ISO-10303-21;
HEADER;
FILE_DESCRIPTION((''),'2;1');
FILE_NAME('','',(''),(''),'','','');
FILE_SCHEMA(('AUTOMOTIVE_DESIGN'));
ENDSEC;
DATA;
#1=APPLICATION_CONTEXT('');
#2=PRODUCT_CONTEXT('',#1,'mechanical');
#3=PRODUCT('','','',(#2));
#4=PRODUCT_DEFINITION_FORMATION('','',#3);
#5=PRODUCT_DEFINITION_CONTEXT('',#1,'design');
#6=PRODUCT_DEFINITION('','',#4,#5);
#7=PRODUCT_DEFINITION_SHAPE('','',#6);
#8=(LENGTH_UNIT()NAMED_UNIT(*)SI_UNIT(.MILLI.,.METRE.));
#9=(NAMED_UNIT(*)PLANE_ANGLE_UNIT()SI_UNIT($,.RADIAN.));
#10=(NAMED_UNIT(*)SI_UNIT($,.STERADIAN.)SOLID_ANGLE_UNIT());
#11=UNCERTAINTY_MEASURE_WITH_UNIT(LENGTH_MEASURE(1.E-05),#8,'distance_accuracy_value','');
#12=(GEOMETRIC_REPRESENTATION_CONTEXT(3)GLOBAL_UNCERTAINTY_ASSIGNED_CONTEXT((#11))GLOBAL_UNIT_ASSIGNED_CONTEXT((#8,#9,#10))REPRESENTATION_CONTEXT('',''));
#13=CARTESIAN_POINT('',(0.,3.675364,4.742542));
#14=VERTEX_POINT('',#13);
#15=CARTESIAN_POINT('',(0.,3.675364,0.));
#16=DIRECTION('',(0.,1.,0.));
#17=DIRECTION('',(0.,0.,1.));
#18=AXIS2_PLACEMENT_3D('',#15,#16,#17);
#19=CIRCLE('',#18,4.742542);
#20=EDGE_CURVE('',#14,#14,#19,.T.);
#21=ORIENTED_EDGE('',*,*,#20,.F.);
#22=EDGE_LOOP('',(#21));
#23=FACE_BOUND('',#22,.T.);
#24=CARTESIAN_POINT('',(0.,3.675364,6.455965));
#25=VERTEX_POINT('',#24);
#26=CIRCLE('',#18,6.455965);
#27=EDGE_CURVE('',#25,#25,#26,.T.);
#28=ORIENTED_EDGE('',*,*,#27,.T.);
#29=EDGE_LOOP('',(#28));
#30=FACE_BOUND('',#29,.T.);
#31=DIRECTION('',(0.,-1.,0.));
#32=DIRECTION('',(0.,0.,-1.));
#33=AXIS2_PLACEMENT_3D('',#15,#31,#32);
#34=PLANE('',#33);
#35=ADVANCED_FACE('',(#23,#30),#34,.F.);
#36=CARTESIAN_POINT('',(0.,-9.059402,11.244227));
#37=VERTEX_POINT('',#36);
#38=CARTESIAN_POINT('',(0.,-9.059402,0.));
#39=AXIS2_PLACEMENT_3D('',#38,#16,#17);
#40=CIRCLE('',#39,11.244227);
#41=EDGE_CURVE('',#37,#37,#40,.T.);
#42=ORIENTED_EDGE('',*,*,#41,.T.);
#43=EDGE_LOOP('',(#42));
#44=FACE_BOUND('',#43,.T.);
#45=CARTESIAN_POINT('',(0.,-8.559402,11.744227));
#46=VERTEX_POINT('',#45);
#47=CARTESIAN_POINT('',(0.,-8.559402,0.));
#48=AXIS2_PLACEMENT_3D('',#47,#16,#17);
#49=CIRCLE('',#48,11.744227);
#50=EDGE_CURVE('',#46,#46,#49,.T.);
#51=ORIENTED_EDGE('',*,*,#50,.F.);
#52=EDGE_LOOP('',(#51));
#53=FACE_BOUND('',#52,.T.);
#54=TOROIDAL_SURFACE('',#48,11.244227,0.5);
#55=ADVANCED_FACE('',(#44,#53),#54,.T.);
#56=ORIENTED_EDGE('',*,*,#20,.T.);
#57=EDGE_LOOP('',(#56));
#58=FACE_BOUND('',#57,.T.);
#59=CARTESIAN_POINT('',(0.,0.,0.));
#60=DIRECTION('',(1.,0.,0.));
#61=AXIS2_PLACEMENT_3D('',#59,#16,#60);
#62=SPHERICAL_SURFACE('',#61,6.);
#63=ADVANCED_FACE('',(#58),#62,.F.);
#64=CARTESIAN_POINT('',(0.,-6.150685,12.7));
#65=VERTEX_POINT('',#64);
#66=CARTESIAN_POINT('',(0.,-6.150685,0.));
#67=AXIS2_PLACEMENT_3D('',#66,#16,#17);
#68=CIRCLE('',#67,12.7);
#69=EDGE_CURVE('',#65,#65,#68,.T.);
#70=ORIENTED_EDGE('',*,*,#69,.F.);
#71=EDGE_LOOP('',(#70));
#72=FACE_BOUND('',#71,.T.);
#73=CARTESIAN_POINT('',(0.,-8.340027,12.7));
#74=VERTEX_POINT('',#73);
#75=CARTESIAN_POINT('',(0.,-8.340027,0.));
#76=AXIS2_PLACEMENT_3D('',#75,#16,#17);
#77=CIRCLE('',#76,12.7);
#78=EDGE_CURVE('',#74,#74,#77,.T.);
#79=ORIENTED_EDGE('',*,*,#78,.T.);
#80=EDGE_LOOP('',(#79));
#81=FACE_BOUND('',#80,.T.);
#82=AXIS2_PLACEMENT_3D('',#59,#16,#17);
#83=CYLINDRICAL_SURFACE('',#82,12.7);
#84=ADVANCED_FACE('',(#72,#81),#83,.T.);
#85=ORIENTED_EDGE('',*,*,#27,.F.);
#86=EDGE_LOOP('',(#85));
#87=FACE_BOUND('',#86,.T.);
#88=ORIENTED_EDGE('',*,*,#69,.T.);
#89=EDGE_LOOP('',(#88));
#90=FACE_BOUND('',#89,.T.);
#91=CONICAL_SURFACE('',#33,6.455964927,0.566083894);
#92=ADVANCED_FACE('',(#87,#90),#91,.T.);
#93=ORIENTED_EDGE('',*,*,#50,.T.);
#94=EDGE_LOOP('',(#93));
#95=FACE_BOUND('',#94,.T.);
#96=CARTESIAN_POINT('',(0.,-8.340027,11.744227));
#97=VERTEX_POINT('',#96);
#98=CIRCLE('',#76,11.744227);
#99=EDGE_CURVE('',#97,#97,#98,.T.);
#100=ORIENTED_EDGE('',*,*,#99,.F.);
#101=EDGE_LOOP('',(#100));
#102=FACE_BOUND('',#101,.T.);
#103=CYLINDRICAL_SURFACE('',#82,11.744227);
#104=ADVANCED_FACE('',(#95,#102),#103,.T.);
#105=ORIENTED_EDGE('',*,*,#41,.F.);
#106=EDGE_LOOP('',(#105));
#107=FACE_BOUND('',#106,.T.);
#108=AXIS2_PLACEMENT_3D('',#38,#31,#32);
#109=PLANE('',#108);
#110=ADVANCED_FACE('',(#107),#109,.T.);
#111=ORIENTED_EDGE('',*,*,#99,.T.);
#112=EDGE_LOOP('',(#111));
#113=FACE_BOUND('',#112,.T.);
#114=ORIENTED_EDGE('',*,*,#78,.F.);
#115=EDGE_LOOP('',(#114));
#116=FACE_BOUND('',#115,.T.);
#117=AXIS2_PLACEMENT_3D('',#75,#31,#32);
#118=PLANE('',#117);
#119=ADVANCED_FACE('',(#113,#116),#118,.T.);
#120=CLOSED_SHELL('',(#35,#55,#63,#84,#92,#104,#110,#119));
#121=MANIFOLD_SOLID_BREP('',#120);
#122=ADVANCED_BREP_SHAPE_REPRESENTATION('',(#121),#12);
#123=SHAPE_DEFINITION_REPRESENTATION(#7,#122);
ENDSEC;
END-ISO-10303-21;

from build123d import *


with BuildPart() as part:
    # Sketch1 → Revolve1 (revolve)
    with BuildSketch(Plane.XY):
        with BuildLine():
            Line((12.7, -6.150685179), (6.455964927, 3.675363757))
            Line((6.455964927, 3.675363757), (4.742541645, 3.675363757))
            ThreePointArc((4.742541645, 3.675363757), (5.387586776, -2.640815921), (0, -6))
            Line((0, -6), (0, -9.059401987))
            Line((0, -9.059401987), (11.244226909, -9.059401987))
            ThreePointArc((11.244226909, -9.059401987), (11.5977803, -8.912955378), (11.744226909, -8.559401987))
            Line((11.744226909, -8.559401987), (11.744226909, -8.340026624))
            Line((11.744226909, -8.340026624), (12.7, -8.340026624))
            Line((12.7, -8.340026624), (12.7, -6.150685179))
        make_face()
    revolve(axis=Axis((0, 0, 0), (0, -1, 0)))


solid = part.part
